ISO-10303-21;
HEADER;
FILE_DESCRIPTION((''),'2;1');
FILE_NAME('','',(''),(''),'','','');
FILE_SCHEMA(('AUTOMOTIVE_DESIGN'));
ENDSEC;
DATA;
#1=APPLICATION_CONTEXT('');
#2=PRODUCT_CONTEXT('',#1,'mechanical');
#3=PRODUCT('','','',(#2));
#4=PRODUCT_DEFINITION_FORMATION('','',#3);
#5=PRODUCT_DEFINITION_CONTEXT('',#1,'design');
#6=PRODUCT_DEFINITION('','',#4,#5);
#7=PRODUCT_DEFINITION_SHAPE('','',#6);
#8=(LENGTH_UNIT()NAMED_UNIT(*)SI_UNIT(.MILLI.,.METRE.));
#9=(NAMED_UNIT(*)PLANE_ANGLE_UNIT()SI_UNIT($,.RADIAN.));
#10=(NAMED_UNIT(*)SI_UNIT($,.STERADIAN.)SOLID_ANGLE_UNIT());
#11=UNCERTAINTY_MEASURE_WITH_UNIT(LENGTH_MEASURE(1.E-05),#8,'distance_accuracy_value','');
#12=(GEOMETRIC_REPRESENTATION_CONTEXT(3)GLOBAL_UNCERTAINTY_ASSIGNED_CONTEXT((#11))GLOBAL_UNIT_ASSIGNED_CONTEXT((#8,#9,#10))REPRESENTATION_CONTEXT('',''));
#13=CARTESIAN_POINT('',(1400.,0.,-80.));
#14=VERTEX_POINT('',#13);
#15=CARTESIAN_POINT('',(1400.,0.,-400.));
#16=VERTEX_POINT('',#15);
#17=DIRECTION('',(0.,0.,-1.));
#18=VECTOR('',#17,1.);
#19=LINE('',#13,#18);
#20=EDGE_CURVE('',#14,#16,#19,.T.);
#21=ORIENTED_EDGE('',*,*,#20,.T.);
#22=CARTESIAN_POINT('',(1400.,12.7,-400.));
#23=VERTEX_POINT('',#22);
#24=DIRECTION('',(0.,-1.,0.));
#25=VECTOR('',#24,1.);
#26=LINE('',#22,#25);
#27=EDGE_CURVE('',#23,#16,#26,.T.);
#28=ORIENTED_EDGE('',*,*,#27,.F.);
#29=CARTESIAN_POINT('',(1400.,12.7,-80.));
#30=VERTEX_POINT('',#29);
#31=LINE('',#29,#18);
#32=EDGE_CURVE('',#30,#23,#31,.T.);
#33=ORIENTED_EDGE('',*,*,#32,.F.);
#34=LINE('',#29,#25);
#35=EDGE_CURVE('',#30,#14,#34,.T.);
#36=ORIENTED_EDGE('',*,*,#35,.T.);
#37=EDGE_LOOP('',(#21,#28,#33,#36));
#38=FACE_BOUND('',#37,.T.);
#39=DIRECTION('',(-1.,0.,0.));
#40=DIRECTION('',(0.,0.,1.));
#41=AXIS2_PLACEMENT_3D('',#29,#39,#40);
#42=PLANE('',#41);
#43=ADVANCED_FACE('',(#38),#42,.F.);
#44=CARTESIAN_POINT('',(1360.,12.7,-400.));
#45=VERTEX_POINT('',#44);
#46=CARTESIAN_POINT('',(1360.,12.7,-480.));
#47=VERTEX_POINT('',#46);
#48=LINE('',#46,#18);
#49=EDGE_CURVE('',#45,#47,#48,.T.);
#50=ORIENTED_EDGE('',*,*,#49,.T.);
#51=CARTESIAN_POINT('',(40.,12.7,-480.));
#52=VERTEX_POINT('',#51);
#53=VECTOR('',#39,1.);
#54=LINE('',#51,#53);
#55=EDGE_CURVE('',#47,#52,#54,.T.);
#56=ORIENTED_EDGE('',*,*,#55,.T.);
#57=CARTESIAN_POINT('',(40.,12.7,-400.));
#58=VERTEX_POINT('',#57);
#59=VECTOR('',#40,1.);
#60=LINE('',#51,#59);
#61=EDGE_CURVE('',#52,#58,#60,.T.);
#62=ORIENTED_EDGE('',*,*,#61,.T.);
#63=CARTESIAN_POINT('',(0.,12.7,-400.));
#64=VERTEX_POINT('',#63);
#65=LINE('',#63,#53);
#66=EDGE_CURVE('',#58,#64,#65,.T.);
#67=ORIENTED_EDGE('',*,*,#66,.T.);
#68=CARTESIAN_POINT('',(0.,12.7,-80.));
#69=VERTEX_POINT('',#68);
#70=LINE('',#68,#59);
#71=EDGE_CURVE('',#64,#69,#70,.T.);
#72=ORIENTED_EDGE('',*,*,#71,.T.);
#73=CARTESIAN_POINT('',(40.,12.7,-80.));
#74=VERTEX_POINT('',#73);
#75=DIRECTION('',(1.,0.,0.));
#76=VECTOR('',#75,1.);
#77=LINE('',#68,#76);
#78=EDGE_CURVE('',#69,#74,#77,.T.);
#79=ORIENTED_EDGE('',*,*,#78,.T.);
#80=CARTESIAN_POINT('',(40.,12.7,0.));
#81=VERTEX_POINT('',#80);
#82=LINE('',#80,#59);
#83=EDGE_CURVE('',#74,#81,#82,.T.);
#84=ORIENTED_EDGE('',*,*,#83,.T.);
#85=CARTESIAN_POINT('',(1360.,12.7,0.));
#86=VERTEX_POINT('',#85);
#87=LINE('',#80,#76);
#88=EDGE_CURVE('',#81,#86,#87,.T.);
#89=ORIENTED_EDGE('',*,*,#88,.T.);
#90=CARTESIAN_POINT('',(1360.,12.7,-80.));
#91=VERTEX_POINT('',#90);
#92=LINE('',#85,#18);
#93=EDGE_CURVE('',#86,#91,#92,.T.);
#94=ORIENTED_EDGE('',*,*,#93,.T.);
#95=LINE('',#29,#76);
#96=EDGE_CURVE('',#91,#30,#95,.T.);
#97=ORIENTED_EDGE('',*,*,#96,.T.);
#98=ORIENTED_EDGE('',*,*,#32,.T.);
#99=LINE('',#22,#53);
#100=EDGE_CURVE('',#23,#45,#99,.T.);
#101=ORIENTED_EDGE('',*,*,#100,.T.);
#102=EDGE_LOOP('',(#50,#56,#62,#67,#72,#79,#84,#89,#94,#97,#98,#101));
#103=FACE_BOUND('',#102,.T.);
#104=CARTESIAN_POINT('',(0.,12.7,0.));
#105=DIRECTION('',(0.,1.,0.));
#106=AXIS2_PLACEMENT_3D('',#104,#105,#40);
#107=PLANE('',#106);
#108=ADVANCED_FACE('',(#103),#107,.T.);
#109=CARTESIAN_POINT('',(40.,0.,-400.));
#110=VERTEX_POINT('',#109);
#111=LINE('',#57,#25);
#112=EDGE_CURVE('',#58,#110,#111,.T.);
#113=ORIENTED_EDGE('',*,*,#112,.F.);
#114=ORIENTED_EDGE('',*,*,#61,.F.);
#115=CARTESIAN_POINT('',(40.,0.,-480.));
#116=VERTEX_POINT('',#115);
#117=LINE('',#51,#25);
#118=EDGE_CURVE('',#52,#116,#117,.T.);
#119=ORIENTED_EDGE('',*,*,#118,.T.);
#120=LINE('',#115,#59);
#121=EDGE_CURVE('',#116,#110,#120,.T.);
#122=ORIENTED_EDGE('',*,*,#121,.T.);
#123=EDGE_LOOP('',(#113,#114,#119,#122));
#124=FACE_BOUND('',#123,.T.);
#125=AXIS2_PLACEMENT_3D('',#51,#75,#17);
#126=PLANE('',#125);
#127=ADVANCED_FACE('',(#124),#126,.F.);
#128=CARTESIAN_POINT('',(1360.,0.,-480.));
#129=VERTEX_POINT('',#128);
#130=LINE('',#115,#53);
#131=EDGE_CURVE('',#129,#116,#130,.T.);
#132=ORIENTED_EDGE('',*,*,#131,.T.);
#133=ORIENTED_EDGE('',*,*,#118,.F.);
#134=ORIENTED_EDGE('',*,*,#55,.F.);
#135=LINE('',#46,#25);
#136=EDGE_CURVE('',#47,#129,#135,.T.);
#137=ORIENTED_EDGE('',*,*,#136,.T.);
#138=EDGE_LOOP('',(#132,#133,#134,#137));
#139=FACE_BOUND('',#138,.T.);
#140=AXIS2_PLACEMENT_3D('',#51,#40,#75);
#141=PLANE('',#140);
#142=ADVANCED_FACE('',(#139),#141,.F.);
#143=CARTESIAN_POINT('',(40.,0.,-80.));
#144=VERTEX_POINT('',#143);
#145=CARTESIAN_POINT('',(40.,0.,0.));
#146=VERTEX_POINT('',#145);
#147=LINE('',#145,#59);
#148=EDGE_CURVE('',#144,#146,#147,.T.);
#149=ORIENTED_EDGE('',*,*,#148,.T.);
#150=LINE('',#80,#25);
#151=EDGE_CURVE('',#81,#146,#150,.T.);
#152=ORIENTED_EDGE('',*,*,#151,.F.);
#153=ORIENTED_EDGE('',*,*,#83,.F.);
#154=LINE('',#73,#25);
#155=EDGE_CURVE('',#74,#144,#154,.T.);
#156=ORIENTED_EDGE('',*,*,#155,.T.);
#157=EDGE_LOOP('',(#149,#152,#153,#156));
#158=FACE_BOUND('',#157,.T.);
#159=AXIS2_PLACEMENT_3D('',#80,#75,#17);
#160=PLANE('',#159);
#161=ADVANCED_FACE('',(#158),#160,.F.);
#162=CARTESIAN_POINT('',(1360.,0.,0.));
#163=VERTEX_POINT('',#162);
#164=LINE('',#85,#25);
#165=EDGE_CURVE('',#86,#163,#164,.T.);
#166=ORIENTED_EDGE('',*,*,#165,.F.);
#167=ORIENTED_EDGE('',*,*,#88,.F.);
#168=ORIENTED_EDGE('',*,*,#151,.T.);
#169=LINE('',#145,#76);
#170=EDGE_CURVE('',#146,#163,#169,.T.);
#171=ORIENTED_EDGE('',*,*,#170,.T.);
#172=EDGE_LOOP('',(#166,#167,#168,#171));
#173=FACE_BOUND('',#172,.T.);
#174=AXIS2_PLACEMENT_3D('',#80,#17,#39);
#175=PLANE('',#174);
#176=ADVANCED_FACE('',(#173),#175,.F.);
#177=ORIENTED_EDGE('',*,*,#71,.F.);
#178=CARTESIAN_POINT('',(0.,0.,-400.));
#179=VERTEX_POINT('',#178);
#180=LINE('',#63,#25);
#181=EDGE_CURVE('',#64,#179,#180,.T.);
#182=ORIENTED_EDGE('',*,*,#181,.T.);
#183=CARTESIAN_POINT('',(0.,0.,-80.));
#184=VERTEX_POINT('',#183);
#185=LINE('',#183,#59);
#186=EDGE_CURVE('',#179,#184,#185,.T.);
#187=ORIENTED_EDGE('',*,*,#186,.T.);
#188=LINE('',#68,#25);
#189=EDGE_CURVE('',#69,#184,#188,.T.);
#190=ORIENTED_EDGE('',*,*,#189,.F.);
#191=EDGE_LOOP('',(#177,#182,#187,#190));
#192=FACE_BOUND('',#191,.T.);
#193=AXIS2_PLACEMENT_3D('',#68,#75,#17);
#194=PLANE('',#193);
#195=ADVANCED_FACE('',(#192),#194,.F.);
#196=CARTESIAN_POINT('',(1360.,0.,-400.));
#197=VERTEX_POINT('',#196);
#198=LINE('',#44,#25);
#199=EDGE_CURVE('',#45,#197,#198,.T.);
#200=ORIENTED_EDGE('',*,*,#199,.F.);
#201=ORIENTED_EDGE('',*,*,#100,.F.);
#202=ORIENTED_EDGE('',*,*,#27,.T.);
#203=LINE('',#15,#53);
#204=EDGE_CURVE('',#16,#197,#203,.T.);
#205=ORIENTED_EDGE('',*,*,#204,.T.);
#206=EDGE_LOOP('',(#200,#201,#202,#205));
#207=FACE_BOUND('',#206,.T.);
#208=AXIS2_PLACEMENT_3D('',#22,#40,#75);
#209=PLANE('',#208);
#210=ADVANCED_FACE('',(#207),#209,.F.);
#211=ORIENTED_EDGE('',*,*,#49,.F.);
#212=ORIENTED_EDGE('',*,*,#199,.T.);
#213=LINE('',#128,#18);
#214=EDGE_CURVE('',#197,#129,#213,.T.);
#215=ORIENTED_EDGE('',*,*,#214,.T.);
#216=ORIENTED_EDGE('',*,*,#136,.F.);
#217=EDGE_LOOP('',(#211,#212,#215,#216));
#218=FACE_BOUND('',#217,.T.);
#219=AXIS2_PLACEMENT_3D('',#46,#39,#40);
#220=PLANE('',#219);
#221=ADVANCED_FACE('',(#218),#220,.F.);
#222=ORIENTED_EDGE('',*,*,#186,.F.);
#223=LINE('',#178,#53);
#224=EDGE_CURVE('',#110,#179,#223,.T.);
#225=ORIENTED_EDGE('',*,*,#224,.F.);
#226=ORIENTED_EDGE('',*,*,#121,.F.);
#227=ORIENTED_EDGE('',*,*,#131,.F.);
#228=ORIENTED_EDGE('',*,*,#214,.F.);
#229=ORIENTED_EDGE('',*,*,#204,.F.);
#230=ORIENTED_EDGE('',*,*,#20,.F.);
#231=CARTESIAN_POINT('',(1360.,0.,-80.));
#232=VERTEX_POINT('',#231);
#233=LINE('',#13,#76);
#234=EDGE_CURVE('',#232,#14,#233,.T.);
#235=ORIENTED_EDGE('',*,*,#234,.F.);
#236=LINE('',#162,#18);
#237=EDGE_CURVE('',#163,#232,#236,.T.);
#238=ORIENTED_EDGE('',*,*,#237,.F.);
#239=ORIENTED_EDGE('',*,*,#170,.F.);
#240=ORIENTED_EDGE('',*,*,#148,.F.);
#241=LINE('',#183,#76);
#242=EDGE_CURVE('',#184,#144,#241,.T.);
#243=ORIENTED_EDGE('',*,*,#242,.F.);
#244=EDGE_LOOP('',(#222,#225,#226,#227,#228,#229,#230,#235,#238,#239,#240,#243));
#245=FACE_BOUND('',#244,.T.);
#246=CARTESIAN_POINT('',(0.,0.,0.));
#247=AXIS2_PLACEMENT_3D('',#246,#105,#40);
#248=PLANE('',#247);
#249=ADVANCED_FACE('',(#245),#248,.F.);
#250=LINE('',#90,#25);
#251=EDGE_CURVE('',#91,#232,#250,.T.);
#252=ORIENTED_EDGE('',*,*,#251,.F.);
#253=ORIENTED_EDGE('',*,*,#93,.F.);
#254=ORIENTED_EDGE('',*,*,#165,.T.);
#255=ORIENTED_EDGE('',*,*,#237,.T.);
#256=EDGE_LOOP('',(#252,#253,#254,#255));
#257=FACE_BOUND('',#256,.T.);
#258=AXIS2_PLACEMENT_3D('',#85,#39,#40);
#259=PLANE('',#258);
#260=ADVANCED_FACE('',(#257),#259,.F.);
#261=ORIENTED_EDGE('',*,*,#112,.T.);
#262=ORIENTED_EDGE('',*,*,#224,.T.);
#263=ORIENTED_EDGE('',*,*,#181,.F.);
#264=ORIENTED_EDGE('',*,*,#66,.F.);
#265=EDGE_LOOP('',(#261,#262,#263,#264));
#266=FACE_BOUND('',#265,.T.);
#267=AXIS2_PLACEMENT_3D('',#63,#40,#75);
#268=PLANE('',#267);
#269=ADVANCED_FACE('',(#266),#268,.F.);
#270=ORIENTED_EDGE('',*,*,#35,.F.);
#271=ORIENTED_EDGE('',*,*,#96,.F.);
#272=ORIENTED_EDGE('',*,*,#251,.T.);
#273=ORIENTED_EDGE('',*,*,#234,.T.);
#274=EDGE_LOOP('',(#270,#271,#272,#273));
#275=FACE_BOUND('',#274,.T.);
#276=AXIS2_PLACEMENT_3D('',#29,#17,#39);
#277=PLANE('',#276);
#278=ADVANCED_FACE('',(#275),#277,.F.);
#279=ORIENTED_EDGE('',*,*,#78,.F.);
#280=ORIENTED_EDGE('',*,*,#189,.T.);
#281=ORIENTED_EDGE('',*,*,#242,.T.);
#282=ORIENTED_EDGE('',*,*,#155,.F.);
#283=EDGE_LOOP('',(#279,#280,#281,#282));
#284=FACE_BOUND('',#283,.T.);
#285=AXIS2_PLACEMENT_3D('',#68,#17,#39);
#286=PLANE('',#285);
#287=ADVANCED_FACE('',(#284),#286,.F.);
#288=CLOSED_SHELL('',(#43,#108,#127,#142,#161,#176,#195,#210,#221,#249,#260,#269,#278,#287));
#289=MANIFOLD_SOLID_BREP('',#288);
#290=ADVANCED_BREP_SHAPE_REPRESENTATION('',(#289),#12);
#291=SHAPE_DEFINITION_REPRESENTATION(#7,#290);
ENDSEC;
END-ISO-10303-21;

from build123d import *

# Parameters (mm, degrees)
BOSS_EXTRUDE1_DEPTH = 12.7


with BuildPart() as part:
    # Sketch1 → Boss-Extrude1 (new body)
    with BuildSketch(Plane(origin=(0, 0, 0), x_dir=(1, 0, 0), z_dir=(0, 1, 0))):
        Polygon((40, 0), (1360, 0), (1360, 80), (1400, 80), (1400, 400), (1360, 400), (1360, 480), (40, 480), (40, 400), (0, 400), (0, 80), (40, 80), align=None)
    extrude(amount=BOSS_EXTRUDE1_DEPTH)


solid = part.part
